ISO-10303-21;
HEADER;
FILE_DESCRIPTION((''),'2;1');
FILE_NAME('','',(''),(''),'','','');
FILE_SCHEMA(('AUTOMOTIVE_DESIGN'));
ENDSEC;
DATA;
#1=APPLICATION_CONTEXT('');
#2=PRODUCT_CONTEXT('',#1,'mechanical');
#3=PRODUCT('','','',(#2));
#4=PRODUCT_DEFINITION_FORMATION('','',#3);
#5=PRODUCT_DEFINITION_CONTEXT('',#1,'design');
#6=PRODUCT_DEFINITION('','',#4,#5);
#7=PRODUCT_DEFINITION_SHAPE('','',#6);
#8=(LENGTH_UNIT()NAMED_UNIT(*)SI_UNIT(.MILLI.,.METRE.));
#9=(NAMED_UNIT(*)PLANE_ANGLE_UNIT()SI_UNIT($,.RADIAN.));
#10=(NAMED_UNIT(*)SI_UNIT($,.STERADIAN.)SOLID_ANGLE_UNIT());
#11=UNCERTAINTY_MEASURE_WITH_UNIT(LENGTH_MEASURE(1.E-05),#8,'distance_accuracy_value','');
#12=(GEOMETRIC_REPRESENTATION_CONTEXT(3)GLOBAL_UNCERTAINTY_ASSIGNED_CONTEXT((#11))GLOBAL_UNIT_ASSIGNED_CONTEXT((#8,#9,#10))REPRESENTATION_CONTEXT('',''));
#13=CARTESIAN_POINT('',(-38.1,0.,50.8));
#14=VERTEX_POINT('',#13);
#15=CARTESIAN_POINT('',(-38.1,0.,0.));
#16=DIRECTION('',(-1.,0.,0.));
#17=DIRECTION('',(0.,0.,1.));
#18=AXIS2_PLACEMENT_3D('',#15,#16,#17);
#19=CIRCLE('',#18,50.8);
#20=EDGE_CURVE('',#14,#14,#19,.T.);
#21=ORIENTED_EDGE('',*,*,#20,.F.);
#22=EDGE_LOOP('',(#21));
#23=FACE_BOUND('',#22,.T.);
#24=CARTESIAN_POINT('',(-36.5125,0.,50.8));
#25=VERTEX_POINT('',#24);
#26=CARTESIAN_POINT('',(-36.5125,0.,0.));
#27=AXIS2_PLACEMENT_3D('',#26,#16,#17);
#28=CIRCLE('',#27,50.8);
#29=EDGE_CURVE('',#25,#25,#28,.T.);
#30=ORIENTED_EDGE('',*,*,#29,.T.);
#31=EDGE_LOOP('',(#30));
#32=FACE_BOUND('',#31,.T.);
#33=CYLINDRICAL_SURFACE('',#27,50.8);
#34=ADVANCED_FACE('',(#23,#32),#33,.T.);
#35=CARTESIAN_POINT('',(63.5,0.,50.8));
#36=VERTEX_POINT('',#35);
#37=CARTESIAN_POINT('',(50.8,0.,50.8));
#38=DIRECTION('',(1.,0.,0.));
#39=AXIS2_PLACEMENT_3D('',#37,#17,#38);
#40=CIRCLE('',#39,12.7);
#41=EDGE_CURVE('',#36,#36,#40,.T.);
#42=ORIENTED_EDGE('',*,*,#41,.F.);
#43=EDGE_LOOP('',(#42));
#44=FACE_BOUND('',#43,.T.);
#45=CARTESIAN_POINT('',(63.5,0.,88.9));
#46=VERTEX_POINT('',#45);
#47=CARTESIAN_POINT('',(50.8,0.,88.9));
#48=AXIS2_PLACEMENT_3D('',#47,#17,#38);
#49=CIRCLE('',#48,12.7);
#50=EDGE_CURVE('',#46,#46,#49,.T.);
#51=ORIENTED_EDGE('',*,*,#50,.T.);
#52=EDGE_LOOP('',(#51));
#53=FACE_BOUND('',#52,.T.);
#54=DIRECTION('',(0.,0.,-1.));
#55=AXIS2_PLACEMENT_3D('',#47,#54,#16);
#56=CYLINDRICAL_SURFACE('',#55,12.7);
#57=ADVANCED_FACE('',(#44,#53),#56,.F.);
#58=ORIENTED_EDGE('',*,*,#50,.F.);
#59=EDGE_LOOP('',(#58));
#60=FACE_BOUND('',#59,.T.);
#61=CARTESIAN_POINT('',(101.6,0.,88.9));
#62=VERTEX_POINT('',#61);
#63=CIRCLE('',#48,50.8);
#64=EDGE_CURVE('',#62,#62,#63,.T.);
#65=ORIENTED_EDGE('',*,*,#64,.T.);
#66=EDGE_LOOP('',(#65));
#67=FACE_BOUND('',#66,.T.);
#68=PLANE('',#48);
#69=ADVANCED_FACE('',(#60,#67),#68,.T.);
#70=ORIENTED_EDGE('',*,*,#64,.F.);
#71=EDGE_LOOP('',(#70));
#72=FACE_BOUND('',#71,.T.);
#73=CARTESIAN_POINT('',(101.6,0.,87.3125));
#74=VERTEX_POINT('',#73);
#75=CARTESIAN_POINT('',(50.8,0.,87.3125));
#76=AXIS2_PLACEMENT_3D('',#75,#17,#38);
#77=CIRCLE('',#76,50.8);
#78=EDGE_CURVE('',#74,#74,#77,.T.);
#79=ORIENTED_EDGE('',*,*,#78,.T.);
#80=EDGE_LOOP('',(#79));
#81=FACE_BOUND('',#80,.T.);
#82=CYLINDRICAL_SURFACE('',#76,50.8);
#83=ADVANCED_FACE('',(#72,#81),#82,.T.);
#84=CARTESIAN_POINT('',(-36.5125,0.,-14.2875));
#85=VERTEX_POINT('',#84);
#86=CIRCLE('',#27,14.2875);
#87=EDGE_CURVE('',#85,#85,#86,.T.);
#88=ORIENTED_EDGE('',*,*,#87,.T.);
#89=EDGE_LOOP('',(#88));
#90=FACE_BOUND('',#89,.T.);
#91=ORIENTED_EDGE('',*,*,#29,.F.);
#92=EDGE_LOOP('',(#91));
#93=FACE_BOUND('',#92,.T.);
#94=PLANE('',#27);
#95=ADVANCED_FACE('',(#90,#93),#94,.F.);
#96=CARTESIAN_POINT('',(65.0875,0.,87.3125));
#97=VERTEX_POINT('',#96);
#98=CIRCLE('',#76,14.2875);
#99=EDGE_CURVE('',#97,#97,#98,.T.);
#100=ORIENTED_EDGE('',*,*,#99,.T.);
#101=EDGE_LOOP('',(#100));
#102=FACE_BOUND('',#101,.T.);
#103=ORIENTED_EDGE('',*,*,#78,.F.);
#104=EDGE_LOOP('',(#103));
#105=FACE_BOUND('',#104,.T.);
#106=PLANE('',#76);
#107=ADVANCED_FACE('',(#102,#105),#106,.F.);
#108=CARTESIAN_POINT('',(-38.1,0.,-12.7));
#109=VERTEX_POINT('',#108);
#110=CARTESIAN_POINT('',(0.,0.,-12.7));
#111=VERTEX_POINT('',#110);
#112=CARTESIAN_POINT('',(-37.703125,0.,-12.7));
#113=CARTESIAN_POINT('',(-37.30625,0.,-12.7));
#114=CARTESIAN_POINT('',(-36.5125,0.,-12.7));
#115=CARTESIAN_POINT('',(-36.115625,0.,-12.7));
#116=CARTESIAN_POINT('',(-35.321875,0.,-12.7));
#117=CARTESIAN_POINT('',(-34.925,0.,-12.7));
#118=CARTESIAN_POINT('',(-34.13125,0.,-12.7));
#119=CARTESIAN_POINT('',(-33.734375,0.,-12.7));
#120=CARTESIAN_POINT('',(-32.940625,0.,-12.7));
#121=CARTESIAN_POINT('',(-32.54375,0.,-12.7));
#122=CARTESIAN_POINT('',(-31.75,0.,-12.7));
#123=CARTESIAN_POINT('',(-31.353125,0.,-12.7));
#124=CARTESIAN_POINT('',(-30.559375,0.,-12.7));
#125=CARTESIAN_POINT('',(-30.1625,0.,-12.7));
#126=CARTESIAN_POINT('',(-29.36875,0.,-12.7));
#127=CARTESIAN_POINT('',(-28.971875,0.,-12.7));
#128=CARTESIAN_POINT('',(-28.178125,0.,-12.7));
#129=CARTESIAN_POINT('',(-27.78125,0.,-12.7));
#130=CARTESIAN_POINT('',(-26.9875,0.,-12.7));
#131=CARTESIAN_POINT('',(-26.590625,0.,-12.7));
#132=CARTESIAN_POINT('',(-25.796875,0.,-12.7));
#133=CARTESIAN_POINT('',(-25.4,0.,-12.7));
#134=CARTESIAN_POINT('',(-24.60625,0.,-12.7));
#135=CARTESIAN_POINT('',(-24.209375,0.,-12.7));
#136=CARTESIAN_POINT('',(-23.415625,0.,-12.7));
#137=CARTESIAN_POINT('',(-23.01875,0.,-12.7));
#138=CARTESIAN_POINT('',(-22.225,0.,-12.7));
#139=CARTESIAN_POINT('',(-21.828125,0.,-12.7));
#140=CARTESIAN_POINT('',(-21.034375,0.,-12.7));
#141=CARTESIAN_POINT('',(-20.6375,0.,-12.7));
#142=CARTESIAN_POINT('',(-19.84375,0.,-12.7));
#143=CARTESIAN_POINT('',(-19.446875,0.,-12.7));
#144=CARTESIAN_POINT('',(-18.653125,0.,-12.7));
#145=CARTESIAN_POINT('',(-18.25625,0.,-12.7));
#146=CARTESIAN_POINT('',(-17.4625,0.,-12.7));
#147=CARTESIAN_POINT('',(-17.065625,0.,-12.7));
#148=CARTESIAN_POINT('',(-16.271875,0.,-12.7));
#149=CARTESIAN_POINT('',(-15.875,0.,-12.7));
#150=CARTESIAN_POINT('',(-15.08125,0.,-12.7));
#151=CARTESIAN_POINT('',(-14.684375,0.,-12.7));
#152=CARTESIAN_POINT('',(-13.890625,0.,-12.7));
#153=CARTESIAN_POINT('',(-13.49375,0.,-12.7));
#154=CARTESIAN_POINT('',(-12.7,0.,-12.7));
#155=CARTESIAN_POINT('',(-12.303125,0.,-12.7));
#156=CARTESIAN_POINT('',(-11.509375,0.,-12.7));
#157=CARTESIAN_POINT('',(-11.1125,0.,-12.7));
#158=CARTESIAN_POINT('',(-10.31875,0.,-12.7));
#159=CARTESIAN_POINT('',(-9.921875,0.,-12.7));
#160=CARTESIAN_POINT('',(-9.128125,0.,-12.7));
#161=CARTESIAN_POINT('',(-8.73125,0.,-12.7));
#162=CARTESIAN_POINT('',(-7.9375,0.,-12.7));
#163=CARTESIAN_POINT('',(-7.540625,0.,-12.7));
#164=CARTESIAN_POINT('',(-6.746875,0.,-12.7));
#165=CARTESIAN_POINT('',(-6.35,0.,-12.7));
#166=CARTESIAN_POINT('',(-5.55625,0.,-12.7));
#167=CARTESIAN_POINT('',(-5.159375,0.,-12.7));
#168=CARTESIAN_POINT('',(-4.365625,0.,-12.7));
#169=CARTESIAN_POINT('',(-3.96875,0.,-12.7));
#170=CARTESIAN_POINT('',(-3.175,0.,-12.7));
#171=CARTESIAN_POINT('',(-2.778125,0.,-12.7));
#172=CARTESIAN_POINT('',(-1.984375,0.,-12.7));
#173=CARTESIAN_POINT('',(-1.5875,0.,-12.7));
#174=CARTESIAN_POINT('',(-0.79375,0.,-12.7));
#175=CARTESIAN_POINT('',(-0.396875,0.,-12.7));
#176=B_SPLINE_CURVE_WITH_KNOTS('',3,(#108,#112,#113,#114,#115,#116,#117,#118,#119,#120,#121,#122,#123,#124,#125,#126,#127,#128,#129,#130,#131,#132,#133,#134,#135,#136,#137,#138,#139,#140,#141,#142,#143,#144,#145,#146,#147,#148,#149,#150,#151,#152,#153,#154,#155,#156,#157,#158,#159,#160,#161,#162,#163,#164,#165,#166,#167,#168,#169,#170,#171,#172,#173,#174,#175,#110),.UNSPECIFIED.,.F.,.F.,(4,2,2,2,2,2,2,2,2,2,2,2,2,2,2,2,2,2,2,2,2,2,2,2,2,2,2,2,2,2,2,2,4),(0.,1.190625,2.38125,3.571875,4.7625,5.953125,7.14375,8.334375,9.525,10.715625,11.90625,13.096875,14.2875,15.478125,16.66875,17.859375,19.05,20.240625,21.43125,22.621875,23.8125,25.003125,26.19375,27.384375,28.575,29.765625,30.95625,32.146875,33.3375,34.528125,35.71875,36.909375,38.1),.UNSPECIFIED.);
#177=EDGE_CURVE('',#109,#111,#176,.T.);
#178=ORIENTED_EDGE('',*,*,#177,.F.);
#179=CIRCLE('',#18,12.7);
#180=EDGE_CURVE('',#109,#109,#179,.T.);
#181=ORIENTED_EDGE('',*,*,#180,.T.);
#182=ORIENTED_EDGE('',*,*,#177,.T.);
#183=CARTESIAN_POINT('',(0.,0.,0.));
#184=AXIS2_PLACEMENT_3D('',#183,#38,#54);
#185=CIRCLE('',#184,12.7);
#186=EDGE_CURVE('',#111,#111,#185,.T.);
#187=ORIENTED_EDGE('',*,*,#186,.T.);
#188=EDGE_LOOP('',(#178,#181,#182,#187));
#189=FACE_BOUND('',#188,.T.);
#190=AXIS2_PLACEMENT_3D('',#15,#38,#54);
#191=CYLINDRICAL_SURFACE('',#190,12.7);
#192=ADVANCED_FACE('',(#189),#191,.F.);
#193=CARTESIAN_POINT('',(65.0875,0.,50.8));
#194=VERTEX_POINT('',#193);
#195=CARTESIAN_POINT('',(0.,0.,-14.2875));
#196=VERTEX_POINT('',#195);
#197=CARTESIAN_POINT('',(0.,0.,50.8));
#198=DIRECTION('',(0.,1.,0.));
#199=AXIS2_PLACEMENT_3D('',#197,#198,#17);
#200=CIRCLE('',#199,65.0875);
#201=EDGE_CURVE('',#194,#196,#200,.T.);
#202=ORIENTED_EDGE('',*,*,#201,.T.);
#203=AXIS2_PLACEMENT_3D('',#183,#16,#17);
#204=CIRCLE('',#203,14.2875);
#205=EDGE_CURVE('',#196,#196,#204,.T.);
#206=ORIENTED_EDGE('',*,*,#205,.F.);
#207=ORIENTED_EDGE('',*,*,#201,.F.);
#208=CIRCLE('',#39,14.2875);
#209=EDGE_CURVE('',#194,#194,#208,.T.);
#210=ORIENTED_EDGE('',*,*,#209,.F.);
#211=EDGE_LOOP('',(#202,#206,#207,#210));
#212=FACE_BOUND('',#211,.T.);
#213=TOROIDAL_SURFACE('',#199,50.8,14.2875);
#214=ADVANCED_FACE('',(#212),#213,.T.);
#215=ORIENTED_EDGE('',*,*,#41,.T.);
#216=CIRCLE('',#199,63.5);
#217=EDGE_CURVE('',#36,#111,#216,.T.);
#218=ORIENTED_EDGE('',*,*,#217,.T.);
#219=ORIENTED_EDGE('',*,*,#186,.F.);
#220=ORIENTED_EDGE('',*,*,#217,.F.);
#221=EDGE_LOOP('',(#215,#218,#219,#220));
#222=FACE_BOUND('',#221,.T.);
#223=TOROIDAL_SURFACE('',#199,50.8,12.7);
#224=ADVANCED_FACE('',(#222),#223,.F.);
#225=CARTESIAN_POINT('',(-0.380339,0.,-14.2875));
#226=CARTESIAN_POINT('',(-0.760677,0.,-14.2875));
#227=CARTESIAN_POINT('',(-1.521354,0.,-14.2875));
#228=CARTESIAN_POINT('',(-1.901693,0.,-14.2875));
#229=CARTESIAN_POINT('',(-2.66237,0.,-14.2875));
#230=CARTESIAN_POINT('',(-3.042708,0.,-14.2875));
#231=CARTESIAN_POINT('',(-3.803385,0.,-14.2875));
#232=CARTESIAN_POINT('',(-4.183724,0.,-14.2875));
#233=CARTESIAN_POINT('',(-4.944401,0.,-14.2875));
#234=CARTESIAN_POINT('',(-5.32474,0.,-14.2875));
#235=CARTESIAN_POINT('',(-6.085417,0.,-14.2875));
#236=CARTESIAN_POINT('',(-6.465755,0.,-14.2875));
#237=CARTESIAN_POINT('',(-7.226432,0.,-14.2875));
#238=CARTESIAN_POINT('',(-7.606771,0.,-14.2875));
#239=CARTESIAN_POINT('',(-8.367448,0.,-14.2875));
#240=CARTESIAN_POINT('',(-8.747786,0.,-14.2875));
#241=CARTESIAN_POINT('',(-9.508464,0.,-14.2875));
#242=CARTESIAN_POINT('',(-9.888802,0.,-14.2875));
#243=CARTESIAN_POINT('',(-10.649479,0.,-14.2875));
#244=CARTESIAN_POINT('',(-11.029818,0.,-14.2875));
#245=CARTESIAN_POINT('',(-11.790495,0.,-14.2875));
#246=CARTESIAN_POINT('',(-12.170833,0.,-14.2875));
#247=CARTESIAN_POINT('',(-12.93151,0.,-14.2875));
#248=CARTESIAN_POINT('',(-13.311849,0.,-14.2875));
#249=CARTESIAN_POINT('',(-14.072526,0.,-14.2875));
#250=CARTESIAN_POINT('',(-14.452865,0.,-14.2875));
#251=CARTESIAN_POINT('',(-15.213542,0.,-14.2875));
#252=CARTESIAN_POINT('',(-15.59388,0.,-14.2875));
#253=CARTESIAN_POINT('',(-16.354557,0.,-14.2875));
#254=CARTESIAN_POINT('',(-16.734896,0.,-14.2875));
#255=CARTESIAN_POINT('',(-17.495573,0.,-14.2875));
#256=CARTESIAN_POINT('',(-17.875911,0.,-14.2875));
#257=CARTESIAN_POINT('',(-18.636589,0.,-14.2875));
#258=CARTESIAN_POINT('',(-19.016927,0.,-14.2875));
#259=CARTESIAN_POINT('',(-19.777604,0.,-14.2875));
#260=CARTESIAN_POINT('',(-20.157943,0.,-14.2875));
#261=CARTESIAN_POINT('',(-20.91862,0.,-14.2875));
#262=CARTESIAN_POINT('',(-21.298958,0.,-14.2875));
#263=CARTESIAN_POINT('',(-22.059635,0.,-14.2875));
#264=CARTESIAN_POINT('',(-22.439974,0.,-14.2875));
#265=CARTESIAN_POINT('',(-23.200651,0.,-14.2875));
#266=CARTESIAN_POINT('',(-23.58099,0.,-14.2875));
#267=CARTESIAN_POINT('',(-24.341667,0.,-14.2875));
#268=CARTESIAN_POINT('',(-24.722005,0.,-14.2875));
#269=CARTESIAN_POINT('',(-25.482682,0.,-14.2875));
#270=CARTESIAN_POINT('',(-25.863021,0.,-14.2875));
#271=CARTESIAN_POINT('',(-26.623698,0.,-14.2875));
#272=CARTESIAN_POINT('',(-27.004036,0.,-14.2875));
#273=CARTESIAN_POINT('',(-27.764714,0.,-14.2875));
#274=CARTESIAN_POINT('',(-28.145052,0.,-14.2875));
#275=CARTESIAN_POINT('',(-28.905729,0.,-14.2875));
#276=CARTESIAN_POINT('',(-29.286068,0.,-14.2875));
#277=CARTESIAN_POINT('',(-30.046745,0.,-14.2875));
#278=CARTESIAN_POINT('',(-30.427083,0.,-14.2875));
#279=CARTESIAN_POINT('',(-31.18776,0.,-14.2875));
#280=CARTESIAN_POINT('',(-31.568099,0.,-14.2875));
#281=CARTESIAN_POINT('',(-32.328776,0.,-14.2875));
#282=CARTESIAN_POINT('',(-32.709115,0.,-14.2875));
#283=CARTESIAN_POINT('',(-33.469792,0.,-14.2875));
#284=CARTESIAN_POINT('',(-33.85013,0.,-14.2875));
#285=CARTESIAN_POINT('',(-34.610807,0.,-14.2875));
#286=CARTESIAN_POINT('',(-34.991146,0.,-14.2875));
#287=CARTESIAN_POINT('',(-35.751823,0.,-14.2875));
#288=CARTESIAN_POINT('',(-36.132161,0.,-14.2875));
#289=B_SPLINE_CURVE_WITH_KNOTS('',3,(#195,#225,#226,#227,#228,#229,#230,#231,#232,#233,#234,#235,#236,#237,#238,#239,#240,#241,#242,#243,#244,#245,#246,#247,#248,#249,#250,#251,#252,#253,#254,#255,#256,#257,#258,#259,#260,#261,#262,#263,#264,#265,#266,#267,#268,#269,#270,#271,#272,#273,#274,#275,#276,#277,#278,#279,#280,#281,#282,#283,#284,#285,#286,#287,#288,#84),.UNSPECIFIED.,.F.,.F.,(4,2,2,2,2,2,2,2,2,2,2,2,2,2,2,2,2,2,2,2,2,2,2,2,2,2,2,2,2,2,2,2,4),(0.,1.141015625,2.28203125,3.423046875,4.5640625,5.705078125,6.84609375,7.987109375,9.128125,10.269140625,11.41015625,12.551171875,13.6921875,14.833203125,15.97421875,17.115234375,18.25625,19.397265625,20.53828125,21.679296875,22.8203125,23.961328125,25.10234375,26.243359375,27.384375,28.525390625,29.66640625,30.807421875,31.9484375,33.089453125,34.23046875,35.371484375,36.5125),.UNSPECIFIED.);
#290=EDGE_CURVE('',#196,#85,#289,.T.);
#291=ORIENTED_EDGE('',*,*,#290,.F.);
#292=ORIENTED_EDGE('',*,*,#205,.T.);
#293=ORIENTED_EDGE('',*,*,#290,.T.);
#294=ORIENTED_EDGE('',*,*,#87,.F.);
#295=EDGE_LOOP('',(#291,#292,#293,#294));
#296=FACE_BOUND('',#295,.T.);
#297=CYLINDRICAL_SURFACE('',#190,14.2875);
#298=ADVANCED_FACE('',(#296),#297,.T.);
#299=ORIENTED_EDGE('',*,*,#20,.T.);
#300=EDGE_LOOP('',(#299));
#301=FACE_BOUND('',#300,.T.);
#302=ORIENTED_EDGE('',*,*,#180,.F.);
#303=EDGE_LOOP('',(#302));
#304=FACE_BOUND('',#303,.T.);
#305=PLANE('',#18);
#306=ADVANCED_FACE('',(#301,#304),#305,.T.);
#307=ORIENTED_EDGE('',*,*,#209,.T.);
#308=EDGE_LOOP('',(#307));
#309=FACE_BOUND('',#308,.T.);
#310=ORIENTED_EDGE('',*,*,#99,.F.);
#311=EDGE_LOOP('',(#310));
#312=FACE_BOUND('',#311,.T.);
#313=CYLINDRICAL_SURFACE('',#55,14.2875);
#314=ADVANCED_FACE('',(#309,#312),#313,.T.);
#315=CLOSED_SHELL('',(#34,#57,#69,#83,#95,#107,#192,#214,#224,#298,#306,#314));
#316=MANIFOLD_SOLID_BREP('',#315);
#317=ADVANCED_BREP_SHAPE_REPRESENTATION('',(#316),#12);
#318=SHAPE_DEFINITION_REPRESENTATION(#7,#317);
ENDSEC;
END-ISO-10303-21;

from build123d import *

# Parameters (mm, degrees)
SKETCH1_R           = 14.2875
SKETCH1_R_2         = 12.7
REVOLVE1_ANGLE      = 90
SKETCH2_R           = 14.2875
SKETCH2_R_2         = 12.7
BOSS_EXTRUDE1_DEPTH = 38.1
SKETCH3_R           = 14.2875
SKETCH3_R_2         = 12.7
BOSS_EXTRUDE2_DEPTH = 38.1
BOSS_EXTRUDE3_START = -1.5875
SKETCH4_R           = 50.8
SKETCH4_R_2         = 12.7
BOSS_EXTRUDE3_DEPTH = 1.5875
BOSS_EXTRUDE4_START = -1.5875
SKETCH5_R           = 50.8
SKETCH5_R_2         = 12.7
BOSS_EXTRUDE4_DEPTH = 1.5875


with BuildPart() as part:
    # Sketch1 → Revolve1 (revolve)
    with BuildSketch(Plane(origin=(0, 0, 0), x_dir=(0, 0, -1), z_dir=(1, 0, 0))):
        Circle(SKETCH1_R)
        Circle(SKETCH1_R_2, mode=Mode.SUBTRACT)
    revolve(axis=Axis((0, 0, 50.8), (0, -1, 0)), revolution_arc=REVOLVE1_ANGLE)

    # Sketch2 → Boss-Extrude1 (add)
    with BuildSketch(Plane.XY.offset(50.8)):
        with Locations((50.8, 0)):
            Circle(SKETCH2_R)
        with Locations((50.8, 0)):
            Circle(SKETCH2_R_2, mode=Mode.SUBTRACT)
    extrude(amount=BOSS_EXTRUDE1_DEPTH)

    # Sketch3 → Boss-Extrude2 (add)
    with BuildSketch(Plane.ZY):
        with Locations(Location((0, 0, 0), (0, 0, 180))):
            Circle(SKETCH3_R)
        with Locations(Location((0, 0, 0), (0, 0, 180))):
            Circle(SKETCH3_R_2, mode=Mode.SUBTRACT)
    extrude(amount=BOSS_EXTRUDE2_DEPTH)

    # Sketch4 → Boss-Extrude3 (add)
    with BuildSketch(Plane.ZY.offset(38.1).offset(BOSS_EXTRUDE3_START)):
        Circle(SKETCH4_R)
        with Locations(Location((0, 0, 0), (0, 0, 180))):
            Circle(SKETCH4_R_2, mode=Mode.SUBTRACT)
    extrude(amount=BOSS_EXTRUDE3_DEPTH)

    # Sketch5 → Boss-Extrude4 (add)
    with BuildSketch(Plane.XY.offset(88.9).offset(BOSS_EXTRUDE4_START)):
        with Locations((50.8, 0)):
            Circle(SKETCH5_R)
        with Locations((50.8, 0)):
            Circle(SKETCH5_R_2, mode=Mode.SUBTRACT)
    extrude(amount=BOSS_EXTRUDE4_DEPTH)


solid = part.part
